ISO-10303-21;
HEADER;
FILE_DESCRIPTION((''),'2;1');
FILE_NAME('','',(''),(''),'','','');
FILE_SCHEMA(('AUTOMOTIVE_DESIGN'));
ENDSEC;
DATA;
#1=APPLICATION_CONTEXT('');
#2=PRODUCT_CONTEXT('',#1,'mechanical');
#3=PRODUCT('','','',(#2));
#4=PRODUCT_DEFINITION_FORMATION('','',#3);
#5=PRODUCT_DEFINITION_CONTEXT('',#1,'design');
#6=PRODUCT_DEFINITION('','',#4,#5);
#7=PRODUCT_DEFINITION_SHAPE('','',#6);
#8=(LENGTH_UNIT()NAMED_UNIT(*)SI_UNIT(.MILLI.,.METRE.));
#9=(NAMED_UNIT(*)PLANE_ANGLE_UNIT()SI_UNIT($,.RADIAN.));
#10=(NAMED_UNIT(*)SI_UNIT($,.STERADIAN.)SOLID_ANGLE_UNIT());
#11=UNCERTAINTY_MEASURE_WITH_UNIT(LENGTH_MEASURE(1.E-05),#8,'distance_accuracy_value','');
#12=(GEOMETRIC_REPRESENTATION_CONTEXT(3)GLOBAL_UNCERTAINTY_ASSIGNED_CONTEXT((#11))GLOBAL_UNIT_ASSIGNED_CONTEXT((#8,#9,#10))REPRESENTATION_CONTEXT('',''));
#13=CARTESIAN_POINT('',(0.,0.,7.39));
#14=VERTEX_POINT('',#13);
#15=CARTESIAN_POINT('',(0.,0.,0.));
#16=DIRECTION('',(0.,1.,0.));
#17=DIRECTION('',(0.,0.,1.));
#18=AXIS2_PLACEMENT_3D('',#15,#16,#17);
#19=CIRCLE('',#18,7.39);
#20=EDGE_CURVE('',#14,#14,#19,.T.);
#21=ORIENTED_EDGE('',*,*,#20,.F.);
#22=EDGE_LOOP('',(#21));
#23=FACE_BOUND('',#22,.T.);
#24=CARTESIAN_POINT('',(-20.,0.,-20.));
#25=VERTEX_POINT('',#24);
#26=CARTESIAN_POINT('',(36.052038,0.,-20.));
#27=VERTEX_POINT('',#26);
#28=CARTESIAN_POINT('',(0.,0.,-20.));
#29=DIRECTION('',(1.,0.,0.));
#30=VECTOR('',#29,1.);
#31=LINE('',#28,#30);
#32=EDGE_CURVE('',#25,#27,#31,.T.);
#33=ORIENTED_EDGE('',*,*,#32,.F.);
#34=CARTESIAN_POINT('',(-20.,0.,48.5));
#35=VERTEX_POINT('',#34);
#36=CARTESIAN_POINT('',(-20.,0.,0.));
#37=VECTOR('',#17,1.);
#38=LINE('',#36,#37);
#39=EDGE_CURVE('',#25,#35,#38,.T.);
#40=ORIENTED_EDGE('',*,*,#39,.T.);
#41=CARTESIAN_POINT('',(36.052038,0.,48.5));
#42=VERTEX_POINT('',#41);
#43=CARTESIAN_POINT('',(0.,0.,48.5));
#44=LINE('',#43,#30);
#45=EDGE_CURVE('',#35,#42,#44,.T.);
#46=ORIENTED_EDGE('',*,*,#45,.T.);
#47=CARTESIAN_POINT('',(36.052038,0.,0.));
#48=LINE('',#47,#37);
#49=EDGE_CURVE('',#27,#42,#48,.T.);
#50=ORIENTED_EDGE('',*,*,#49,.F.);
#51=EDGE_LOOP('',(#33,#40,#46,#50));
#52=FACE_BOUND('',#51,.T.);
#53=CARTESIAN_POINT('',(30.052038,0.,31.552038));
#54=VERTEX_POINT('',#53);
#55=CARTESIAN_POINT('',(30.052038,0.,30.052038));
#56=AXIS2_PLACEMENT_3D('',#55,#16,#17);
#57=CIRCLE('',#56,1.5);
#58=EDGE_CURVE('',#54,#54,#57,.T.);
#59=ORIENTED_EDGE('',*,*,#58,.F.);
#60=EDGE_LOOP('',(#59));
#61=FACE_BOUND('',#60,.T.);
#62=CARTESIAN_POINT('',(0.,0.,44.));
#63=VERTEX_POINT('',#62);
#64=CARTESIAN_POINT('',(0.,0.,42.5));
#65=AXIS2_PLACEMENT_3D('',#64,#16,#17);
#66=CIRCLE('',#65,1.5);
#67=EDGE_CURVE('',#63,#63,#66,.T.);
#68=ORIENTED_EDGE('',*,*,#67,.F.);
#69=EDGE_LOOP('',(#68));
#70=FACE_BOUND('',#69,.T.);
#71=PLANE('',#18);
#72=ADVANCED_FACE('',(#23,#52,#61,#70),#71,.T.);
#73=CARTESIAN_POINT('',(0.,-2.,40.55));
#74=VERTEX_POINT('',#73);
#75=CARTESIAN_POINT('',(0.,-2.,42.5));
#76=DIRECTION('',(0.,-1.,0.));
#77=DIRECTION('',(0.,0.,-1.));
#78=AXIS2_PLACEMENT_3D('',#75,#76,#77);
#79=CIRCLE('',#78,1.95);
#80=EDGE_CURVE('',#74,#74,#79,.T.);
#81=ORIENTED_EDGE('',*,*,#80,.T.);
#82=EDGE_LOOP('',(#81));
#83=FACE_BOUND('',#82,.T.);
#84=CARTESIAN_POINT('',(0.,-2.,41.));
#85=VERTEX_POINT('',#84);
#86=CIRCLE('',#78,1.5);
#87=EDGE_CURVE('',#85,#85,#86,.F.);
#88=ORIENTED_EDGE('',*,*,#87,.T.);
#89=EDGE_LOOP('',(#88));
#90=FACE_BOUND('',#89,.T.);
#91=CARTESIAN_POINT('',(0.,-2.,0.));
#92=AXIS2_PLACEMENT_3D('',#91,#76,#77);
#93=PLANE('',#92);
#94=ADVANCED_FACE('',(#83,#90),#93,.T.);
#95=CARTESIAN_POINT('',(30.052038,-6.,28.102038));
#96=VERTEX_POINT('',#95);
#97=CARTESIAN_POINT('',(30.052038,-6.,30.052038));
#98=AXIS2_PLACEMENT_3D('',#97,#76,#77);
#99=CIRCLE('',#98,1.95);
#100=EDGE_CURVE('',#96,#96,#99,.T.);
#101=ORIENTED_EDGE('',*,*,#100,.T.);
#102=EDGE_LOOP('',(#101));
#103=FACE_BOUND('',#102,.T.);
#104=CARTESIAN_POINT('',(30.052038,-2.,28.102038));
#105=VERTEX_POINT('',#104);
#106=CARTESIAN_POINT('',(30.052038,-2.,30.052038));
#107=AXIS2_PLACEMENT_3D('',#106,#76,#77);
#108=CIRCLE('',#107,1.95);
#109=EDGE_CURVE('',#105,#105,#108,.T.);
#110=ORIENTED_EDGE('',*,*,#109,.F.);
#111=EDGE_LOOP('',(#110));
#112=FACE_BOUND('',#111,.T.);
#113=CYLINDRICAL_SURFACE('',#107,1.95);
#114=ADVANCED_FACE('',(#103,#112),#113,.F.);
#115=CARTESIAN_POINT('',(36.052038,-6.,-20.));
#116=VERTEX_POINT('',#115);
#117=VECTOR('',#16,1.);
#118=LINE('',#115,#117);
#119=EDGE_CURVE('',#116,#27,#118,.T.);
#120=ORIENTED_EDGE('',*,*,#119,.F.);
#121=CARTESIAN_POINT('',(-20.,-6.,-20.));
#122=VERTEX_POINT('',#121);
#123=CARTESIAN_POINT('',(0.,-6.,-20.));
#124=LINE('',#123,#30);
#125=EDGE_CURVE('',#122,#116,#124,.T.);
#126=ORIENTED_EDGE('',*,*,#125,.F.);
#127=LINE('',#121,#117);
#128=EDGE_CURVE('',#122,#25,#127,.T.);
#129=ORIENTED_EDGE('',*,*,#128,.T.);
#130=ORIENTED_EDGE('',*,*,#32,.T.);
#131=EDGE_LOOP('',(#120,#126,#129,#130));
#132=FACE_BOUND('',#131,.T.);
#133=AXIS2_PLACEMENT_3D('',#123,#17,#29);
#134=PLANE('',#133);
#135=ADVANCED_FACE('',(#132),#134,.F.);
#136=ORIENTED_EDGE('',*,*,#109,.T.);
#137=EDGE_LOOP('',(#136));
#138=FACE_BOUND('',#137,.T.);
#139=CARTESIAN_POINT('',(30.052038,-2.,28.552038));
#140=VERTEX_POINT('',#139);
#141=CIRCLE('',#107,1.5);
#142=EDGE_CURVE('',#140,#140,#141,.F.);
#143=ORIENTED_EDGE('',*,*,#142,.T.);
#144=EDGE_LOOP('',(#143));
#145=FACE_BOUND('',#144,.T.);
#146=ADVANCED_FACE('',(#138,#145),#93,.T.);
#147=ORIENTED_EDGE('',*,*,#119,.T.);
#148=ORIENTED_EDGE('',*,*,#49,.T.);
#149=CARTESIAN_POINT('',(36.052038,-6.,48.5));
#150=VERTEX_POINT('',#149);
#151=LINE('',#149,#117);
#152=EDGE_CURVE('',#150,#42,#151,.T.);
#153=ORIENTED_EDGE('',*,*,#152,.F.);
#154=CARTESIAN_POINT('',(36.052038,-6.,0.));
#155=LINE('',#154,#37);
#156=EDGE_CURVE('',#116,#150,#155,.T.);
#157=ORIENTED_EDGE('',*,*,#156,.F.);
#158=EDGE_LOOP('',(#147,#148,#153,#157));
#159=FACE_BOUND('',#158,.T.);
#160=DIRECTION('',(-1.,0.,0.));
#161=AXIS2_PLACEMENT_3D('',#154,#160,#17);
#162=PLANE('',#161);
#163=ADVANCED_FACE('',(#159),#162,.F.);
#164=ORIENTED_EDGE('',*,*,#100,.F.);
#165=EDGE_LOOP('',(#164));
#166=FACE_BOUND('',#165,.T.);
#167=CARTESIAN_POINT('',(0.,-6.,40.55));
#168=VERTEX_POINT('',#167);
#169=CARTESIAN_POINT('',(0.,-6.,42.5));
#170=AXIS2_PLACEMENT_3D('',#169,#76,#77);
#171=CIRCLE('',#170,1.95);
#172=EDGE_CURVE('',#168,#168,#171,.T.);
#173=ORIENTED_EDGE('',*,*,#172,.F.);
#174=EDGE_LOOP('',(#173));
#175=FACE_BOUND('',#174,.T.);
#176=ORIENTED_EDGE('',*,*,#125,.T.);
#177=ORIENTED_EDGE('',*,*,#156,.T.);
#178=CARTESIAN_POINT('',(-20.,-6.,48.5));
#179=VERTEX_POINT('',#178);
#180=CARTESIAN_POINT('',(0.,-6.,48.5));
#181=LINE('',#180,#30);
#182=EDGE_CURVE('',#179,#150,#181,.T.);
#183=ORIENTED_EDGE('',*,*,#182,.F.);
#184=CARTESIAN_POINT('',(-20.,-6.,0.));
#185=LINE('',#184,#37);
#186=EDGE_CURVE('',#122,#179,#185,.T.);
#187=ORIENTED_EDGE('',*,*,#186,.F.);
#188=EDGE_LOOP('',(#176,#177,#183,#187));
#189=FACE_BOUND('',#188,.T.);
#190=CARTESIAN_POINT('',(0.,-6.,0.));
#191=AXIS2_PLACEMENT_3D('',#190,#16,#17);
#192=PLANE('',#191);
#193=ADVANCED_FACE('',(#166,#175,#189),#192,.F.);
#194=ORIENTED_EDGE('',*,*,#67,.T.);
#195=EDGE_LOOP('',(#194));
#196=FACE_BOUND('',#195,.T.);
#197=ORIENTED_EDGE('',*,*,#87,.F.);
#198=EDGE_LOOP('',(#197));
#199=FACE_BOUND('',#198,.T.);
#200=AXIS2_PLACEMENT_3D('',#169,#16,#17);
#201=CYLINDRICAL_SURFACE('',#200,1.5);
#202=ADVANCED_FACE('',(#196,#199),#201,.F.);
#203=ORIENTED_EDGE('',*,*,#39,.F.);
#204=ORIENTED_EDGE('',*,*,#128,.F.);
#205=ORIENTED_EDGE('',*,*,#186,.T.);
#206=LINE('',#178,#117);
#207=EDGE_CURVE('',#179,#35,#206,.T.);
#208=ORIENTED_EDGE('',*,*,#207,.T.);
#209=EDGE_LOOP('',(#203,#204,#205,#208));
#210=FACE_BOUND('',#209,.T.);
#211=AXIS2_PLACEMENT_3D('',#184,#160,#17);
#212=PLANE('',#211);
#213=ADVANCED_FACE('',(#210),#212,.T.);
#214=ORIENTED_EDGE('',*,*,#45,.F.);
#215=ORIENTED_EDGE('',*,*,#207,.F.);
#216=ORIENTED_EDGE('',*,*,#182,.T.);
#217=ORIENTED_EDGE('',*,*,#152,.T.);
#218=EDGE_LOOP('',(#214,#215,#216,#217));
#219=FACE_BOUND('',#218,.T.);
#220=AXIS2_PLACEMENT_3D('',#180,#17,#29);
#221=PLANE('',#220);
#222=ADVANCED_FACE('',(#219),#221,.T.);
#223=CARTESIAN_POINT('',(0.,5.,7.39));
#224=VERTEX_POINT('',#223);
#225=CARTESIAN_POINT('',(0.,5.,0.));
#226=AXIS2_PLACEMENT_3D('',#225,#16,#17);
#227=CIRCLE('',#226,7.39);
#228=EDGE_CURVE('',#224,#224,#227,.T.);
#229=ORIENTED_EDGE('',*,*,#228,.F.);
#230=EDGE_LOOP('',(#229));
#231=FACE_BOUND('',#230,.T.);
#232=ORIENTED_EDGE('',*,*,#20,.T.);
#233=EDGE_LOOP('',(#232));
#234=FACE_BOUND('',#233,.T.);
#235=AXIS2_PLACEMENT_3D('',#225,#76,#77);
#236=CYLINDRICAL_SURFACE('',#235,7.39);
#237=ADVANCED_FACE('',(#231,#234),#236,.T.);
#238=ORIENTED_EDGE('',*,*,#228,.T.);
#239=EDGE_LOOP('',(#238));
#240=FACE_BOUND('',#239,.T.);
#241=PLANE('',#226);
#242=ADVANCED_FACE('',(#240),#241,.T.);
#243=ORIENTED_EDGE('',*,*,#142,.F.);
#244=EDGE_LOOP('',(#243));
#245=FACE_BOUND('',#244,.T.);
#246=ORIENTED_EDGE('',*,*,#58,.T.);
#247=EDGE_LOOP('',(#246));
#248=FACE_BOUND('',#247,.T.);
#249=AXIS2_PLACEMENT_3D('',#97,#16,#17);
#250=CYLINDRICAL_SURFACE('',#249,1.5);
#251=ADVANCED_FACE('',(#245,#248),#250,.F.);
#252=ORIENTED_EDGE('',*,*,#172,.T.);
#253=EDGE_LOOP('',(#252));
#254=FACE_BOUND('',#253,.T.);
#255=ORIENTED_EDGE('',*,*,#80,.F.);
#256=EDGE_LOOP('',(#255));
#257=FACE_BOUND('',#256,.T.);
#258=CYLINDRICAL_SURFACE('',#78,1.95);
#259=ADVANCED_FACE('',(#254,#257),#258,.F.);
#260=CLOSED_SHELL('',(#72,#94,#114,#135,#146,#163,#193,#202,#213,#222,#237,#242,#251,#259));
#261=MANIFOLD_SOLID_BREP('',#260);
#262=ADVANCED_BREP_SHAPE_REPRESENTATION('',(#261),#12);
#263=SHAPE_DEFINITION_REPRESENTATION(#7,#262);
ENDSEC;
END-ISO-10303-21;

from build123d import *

# Parameters (mm, degrees)
SKETCH1_W           = 56.0520382
SKETCH1_H           = 68.5
SKETCH1_R           = 1.5
BOSS_EXTRUDE1_DEPTH = 6
SKETCH1_3_R         = 7.39
BOSS_EXTRUDE2_DEPTH = 5
CUT_EXTRUDE1_START  = -4
SKETCH2_R           = 1.95
SKETCH2_R_2         = 1.5
CUT_EXTRUDE1_DEPTH  = 4


with BuildPart() as part:
    # Sketch1 → Boss-Extrude1 (new body)
    with BuildSketch(Plane(origin=(0, 0, 0), x_dir=(1, 0, 0), z_dir=(0, 1, 0))):
        with Locations((8.0260191, -14.25)):
            Rectangle(SKETCH1_W, SKETCH1_H)
        with Locations((0, -42.5)):
            Circle(SKETCH1_R, mode=Mode.SUBTRACT)
        with Locations((30.0520382, -30.0520382)):
            Circle(SKETCH1_R, mode=Mode.SUBTRACT)
    extrude(amount=-BOSS_EXTRUDE1_DEPTH)

    # Sketch1<3> → Boss-Extrude2 (add)
    with BuildSketch(Plane(origin=(0, 0, 0), x_dir=(1, 0, 0), z_dir=(0, 1, 0))):
        Circle(SKETCH1_3_R)
    extrude(amount=BOSS_EXTRUDE2_DEPTH)

    # Sketch2 → Cut-Extrude1 (cut)
    # profile 1 of 2: a face of its own
    with BuildSketch(Plane.XZ.offset(6).offset(CUT_EXTRUDE1_START)):
        with Locations((0, 42.5)):
            Circle(SKETCH2_R)
        with Locations((0, 42.5)):
            Circle(SKETCH2_R_2, mode=Mode.SUBTRACT)
    # profile 2 of 2: a face of its own
    with BuildSketch(Plane.XZ.offset(6).offset(CUT_EXTRUDE1_START)):
        with Locations((30.0520382, 30.0520382)):
            Circle(SKETCH2_R)
        with Locations((30.0520382, 30.0520382)):
            Circle(SKETCH2_R_2, mode=Mode.SUBTRACT)
    extrude(amount=CUT_EXTRUDE1_DEPTH, mode=Mode.SUBTRACT)


solid = part.part
